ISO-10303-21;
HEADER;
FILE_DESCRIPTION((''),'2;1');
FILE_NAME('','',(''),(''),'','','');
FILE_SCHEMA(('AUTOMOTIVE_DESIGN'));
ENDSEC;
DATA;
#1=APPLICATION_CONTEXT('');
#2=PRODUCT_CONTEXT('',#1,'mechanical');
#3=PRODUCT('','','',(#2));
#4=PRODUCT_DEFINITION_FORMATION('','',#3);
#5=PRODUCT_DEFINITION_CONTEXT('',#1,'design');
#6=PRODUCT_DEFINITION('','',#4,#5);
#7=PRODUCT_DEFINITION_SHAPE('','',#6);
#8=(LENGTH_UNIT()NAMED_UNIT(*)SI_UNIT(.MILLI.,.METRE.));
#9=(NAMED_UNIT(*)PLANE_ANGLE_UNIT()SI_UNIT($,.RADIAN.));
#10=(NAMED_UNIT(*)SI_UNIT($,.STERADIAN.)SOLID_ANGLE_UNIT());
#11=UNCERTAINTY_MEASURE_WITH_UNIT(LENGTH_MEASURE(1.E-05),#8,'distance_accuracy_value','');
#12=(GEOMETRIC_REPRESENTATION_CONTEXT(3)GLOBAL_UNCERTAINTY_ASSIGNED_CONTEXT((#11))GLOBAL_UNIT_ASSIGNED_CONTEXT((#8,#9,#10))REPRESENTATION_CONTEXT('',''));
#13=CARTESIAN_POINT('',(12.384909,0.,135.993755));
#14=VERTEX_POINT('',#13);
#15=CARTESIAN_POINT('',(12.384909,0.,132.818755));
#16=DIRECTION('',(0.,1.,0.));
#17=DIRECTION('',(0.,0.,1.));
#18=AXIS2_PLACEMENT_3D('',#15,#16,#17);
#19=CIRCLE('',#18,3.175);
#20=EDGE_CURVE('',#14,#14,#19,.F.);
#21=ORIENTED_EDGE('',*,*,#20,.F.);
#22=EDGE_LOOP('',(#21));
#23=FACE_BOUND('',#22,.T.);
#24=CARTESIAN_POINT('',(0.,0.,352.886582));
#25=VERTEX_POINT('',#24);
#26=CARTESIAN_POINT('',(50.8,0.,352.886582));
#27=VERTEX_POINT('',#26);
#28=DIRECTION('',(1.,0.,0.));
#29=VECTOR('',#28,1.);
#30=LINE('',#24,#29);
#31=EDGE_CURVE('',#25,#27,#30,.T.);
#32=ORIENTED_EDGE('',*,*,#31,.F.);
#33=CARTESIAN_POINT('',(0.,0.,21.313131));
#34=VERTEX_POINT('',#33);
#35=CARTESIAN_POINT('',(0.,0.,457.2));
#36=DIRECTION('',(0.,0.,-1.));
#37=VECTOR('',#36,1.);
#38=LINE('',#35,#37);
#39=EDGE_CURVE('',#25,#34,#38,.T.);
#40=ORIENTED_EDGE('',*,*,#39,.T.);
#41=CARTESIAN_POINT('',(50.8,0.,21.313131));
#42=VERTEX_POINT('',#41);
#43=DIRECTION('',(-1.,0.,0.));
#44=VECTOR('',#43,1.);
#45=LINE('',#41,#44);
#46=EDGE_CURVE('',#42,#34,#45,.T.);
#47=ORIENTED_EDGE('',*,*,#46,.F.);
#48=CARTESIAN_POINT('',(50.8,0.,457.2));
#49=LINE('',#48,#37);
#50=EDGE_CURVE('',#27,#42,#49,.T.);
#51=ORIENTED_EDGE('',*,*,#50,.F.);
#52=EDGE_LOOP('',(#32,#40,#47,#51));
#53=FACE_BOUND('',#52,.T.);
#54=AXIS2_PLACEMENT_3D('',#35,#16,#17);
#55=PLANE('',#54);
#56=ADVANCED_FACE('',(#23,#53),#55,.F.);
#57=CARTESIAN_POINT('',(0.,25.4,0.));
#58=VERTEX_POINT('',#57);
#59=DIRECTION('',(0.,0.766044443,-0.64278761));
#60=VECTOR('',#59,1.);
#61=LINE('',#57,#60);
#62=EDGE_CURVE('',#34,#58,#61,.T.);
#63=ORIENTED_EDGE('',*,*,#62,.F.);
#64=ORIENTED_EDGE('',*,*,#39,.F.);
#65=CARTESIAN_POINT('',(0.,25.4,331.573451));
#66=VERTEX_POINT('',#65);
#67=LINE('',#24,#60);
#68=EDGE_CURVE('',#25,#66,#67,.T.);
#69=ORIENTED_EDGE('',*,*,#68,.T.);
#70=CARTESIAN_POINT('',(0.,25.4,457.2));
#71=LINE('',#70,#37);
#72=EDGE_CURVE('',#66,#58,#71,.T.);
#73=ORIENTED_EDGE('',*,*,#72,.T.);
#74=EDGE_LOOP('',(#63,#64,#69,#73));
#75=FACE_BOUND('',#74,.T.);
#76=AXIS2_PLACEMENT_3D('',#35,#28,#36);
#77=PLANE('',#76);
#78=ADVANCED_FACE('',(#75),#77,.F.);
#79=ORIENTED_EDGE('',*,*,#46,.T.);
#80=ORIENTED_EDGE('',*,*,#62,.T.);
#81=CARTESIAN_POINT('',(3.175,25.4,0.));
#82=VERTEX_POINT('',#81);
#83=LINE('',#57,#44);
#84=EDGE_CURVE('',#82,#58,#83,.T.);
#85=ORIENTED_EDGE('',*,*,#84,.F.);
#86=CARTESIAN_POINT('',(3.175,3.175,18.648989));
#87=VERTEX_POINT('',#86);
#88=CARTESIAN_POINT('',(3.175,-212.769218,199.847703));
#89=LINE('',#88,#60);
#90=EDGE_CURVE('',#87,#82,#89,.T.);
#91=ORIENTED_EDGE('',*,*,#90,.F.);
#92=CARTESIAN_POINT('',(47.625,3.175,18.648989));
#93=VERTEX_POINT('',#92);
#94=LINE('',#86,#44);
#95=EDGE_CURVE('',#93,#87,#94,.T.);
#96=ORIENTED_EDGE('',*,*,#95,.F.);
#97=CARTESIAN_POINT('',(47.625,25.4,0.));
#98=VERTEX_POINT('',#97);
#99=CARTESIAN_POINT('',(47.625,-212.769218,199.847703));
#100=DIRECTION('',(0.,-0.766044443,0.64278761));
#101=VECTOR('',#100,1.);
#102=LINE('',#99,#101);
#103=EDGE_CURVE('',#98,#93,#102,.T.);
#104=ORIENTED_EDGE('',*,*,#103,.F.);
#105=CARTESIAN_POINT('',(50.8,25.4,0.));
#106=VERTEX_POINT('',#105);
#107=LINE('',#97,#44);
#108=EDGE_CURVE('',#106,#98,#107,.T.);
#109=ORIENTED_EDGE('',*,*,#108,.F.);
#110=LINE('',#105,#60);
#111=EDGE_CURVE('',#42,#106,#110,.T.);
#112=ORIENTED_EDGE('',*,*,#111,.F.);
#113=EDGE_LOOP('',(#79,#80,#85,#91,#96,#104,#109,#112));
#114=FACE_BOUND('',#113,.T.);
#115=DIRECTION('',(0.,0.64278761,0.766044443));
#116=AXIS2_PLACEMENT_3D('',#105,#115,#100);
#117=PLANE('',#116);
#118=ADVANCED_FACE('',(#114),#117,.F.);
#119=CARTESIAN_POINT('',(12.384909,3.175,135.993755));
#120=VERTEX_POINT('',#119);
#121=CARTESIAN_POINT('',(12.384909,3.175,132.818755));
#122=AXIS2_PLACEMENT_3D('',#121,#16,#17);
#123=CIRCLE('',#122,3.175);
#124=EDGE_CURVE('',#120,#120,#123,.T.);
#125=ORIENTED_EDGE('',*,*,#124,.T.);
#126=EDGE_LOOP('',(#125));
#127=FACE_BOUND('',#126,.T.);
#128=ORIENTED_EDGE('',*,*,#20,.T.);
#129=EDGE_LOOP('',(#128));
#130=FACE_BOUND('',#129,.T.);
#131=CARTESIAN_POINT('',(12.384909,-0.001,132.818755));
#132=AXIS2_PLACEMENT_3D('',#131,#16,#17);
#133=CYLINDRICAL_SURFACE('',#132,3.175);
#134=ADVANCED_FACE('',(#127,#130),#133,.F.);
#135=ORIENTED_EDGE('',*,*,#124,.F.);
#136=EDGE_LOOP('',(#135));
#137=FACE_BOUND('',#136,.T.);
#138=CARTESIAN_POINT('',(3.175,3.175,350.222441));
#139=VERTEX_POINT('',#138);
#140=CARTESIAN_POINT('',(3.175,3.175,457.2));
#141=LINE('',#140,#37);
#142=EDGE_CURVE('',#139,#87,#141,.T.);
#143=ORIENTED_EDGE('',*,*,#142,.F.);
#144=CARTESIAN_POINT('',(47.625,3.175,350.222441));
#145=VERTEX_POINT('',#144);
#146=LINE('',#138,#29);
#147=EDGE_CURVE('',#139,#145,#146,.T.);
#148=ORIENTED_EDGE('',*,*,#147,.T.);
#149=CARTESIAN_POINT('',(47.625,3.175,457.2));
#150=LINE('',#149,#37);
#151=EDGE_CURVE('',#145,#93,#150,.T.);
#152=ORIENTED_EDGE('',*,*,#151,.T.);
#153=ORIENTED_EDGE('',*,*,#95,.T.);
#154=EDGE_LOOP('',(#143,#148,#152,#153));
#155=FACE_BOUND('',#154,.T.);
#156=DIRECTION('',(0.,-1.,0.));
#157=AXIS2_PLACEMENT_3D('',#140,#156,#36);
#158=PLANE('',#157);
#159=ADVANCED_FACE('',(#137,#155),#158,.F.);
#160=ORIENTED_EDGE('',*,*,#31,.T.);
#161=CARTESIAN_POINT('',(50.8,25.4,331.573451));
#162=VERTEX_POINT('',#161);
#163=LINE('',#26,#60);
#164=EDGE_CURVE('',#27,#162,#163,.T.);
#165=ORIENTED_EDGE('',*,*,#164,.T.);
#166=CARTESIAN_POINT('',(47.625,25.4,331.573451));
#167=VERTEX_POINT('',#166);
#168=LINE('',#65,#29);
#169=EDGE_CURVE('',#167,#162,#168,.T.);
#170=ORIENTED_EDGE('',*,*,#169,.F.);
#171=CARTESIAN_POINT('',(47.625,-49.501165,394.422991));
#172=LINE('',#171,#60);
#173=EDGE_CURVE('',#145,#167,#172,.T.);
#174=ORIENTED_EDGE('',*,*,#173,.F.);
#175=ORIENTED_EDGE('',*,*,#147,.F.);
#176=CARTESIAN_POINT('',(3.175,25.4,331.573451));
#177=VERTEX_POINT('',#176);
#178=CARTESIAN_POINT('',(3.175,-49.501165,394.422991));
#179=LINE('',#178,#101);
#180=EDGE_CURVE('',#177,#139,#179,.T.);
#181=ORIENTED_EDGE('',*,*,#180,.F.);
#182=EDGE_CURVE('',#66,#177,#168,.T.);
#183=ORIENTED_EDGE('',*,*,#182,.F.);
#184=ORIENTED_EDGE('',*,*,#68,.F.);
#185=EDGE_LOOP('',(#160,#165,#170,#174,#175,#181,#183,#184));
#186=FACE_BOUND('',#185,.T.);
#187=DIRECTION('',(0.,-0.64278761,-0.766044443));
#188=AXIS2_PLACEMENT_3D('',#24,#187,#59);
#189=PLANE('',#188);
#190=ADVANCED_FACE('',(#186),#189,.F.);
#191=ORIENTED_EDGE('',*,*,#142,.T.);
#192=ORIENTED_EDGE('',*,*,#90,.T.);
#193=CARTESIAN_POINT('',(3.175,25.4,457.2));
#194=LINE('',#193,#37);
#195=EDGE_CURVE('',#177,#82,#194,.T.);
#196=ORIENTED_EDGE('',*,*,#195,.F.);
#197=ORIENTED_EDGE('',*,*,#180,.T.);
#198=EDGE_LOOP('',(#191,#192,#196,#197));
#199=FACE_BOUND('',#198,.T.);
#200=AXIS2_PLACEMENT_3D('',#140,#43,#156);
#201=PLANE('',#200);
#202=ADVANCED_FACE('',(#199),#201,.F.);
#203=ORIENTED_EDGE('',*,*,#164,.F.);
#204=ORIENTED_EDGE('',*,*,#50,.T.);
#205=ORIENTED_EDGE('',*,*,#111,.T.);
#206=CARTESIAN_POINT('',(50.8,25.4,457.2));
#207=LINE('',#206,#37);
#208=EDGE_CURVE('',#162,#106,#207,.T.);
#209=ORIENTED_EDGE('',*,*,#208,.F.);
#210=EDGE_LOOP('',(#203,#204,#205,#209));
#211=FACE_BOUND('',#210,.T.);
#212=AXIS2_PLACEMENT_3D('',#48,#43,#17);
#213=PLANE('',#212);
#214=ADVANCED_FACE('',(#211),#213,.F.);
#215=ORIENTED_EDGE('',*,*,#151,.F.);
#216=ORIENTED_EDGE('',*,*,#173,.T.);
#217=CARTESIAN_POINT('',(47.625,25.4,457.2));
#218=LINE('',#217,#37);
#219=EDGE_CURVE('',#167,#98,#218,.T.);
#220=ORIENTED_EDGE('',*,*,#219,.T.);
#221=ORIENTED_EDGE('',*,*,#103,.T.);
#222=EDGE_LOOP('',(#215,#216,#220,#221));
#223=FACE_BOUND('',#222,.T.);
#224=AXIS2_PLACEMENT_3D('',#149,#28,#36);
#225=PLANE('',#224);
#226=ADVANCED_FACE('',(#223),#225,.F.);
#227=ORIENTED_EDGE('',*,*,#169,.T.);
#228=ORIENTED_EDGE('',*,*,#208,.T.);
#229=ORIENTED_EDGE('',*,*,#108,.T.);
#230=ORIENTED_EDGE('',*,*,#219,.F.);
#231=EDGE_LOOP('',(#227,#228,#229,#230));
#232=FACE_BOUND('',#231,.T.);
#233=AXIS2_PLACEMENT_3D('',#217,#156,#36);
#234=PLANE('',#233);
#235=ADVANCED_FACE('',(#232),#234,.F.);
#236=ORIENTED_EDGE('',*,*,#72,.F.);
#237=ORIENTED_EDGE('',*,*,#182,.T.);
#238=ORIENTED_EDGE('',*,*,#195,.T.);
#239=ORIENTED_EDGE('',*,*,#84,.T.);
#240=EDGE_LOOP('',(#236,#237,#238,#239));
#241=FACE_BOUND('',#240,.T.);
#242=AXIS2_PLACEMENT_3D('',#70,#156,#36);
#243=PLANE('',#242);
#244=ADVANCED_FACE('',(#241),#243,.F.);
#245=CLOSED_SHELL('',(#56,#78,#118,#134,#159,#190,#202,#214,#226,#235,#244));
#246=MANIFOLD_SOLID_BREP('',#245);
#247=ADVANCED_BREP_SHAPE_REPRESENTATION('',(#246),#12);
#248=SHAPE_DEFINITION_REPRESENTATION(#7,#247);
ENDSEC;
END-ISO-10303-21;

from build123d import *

# Parameters (mm, degrees)
BOSS_EXTRUDE1_DEPTH = 457.2
CUT_EXTRUDE1_REACH  = 462.55
SKETCH2_R           = 3.175
CUT_EXTRUDE2_DEPTH  = 461.714271539
CUT_EXTRUDE3_DEPTH  = 461.714271539


with BuildPart() as part:
    # Sketch1 → Boss-Extrude1 (new body)
    with BuildSketch(Plane.XY):
        Polygon((3.175, 3.175), (3.175, 25.4), (0, 25.4), (0, 0), (50.8, 0), (50.8, 25.4), (47.625, 25.4), (47.625, 3.175), align=None)
    extrude(amount=BOSS_EXTRUDE1_DEPTH)

    # Sketch2 → Cut-Extrude1 (cut, up to next)
    with BuildSketch(Plane(origin=(0, 3.175, 0), x_dir=(1, 0, 0), z_dir=(0, 1, 0)), mode=Mode.PRIVATE) as cut_extrude1_sk1:
        with Locations(Location((12.384908578, -132.81875466, 0), (0, 0, 270))):
            Circle(SKETCH2_R)
    cut_extrude1_tool1 = extrude(cut_extrude1_sk1.sketch, amount=-CUT_EXTRUDE1_REACH, mode=Mode.PRIVATE) & part.part
    add(cut_extrude1_tool1.solids().sort_by_distance((12.384909, 3.175, 132.818755))[0], mode=Mode.SUBTRACT)

    # Sketch3 → Cut-Extrude2 (cut, through all)
    with BuildSketch(Plane.ZY):
        Polygon((0, 25.4), (21.313130632, 0), (0, 0), align=None)
    extrude(amount=-CUT_EXTRUDE2_DEPTH, mode=Mode.SUBTRACT)

    # Sketch4 → Cut-Extrude3 (cut, through all)
    with BuildSketch(Plane(origin=(50.8, 0, 0), x_dir=(0, 0, -1), z_dir=(1, 0, 0))):
        Polygon((-352.886582122, 0), (-331.57345149, 25.4), (-457.2, 25.4), (-457.2, 0), align=None)
    extrude(amount=-CUT_EXTRUDE3_DEPTH, mode=Mode.SUBTRACT)


solid = part.part
